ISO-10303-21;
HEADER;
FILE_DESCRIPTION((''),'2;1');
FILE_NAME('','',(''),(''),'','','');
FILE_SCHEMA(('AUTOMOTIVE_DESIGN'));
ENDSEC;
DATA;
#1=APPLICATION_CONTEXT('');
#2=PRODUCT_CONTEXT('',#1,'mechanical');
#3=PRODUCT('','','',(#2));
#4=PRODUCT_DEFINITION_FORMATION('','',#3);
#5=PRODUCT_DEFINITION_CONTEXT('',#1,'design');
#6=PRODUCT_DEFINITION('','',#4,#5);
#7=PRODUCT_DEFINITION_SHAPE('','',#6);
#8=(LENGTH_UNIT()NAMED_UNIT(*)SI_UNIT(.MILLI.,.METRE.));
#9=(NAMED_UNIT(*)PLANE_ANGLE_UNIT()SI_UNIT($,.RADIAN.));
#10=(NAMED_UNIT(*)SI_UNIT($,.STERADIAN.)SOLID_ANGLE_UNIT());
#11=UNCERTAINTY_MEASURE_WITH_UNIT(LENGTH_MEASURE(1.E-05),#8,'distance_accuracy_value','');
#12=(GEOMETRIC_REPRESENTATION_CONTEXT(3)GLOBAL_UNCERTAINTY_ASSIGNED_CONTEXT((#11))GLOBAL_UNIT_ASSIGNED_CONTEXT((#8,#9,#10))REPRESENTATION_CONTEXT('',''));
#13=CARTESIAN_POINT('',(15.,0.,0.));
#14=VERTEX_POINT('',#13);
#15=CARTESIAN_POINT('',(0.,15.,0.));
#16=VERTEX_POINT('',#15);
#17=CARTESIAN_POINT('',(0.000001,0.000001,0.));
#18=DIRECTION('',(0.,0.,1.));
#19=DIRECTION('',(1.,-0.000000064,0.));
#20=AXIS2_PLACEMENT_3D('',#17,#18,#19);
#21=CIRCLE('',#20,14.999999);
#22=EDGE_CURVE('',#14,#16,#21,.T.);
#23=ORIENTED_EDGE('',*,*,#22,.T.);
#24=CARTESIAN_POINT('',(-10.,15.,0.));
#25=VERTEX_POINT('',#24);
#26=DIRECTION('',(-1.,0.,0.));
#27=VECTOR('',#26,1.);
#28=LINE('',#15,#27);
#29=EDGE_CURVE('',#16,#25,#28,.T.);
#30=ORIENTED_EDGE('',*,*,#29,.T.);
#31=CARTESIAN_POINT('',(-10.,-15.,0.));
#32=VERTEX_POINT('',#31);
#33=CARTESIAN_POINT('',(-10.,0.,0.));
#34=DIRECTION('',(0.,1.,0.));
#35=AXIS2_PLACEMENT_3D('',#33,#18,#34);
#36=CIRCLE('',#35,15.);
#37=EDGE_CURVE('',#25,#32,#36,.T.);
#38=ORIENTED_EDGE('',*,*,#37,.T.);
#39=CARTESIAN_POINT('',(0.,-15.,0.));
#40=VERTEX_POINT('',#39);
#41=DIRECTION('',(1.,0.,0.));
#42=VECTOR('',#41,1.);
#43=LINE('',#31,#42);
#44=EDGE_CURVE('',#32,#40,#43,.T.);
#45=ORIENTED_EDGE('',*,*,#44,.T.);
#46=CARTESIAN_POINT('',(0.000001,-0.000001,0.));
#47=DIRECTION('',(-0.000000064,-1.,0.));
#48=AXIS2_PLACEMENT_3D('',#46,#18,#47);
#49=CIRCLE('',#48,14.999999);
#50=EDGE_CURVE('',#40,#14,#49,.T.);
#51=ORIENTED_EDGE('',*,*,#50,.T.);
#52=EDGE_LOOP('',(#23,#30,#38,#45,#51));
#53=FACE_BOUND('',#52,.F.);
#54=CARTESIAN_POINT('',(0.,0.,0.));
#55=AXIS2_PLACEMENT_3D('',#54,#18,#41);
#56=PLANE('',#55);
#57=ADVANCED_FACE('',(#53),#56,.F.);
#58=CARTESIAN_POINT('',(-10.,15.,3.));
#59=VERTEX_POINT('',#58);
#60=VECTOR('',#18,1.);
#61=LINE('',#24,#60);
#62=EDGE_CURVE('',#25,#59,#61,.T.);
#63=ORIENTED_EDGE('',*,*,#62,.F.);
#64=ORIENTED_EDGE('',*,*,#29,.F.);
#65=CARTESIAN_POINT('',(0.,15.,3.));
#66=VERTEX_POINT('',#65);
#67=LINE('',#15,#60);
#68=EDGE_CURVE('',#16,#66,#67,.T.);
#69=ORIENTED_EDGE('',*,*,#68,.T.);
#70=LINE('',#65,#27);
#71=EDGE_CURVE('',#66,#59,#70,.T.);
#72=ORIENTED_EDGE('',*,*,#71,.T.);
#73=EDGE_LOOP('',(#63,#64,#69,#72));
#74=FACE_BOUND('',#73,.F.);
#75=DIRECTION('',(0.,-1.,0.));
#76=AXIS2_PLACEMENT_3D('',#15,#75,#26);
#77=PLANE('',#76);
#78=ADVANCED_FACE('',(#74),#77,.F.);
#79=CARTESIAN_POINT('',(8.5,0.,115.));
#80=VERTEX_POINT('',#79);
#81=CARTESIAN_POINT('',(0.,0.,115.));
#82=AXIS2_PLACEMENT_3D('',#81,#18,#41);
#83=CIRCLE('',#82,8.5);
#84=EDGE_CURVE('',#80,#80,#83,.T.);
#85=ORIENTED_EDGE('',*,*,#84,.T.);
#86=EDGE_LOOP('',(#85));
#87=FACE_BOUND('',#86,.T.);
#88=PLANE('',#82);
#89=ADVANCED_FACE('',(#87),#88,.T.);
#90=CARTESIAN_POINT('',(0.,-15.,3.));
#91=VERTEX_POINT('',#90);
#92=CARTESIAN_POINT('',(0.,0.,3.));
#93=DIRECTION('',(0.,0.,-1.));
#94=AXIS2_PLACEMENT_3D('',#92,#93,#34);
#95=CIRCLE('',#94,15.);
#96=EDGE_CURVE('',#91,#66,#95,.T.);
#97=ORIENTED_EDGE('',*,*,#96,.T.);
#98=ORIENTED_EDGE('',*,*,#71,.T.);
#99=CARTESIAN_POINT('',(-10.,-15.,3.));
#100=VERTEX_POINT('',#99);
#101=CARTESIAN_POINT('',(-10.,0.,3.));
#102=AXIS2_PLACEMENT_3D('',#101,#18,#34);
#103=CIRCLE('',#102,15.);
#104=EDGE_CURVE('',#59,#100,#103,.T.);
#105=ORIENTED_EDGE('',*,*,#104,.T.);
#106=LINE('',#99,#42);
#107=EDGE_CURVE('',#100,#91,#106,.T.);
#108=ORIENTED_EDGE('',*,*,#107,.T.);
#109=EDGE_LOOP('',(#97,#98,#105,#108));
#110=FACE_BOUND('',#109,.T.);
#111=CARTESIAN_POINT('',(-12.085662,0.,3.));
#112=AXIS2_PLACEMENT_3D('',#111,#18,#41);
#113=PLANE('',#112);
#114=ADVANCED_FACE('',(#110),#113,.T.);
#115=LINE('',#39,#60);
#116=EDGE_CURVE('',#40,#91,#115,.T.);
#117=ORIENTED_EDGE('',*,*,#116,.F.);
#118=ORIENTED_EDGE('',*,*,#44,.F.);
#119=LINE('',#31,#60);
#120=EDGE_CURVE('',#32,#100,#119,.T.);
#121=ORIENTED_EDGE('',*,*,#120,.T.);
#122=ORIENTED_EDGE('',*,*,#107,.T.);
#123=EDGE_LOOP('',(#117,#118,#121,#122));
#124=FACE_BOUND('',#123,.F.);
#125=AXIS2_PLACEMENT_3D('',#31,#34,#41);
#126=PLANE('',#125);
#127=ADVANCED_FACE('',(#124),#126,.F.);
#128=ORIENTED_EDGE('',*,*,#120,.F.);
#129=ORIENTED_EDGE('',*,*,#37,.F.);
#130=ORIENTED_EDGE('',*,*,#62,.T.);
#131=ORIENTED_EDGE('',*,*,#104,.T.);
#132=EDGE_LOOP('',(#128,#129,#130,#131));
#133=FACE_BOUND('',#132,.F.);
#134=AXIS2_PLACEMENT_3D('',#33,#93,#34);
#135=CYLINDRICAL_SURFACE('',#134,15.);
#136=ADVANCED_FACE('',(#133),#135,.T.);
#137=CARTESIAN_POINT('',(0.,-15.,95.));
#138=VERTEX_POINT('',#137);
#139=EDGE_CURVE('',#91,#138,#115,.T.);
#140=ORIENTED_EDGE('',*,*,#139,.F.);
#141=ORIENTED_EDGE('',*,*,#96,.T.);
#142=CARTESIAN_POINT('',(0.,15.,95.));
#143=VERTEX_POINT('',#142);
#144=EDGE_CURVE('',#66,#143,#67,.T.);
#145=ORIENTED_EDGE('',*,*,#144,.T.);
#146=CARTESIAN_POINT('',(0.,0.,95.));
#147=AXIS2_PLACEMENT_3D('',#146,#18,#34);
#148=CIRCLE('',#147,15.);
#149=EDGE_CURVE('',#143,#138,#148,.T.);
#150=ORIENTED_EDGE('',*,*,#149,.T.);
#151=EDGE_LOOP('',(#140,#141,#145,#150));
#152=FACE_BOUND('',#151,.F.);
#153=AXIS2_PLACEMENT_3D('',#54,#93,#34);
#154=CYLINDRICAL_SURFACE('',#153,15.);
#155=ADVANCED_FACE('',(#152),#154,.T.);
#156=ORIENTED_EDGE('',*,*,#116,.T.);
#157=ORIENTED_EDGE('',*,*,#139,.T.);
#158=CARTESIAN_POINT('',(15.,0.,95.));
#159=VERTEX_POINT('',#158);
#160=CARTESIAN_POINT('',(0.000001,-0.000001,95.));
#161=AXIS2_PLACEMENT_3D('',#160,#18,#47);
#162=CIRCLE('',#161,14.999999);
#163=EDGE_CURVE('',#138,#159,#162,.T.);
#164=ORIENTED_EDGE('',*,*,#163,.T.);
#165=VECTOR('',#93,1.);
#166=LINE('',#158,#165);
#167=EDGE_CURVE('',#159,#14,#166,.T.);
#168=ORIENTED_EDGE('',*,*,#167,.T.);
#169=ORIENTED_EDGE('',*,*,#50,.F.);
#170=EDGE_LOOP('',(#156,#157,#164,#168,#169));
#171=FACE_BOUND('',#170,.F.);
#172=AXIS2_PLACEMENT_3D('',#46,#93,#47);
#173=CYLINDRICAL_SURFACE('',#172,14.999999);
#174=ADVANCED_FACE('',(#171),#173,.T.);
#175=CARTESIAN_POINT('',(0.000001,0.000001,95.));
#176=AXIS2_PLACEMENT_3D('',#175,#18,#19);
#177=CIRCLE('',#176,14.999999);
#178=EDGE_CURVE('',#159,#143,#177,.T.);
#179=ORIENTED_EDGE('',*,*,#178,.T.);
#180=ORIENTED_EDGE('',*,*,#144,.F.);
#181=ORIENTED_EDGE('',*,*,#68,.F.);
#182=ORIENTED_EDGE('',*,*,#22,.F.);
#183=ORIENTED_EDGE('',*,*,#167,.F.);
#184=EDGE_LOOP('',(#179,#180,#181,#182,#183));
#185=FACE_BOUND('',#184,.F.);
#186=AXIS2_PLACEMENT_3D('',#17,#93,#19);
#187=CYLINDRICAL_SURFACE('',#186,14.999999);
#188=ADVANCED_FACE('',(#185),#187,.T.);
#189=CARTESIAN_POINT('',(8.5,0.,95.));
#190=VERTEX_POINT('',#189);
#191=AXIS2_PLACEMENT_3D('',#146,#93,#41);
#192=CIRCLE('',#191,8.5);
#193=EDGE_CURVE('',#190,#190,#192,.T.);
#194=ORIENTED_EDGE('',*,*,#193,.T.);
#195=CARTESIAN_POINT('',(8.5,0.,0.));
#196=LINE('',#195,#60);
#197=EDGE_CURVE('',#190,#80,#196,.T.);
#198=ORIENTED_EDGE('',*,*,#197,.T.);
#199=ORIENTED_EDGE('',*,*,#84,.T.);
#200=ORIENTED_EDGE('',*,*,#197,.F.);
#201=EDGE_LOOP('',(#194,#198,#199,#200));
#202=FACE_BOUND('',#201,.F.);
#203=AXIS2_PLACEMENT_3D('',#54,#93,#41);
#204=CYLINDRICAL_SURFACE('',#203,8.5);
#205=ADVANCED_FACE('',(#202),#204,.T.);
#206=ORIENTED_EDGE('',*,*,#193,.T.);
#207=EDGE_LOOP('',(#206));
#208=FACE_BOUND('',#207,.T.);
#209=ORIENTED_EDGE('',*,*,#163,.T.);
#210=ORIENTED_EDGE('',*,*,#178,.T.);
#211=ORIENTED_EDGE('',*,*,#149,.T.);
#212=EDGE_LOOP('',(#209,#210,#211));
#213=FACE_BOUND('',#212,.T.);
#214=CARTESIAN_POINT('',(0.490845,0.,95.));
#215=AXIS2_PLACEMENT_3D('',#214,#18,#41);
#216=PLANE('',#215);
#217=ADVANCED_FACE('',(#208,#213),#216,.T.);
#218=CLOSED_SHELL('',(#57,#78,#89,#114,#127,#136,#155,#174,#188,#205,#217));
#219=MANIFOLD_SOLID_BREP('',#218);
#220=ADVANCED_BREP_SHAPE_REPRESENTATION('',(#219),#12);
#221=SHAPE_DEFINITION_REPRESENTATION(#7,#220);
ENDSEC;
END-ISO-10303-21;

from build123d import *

# Parameters (mm, degrees)
F1_DEPTH = 3
F2_DEPTH = 95
F3_DEPTH = 115


with BuildPart() as f1:
    # F0 (on Top) → F1 (new body)
    with BuildSketch(Plane.XY):
        with BuildLine():
            ThreePointArc((0, -15), (-15, 0), (0, 15))
            Line((0, 15), (-10, 15))
            ThreePointArc((-10, 15), (-25, 0), (-10, -15))
            Line((-10, -15), (0, -15))
        make_face()
        with BuildLine():
            ThreePointArc((0, -15), (10.606602, -10.606602), (15, 0))
            ThreePointArc((15, 0), (10.606602, 10.606602), (0, 15))
            ThreePointArc((0, 15), (-15, 0), (0, -15))
        make_face()
        with BuildLine():
            ThreePointArc((-8.5, 0), (0, 8.5), (8.5, 0))
            ThreePointArc((8.5, 0), (0, -8.5), (-8.5, 0))
        make_face(mode=Mode.SUBTRACT)
        with BuildLine():
            ThreePointArc((-8.5, 0), (0, -8.5), (8.5, 0))
            ThreePointArc((8.5, 0), (0, 8.5), (-8.5, 0))
        make_face()
    extrude(amount=F1_DEPTH)

    # F0 (on Top) → F2 (join)
    with BuildSketch(Plane.XY):
        with BuildLine():
            ThreePointArc((0, -15), (10.606602, -10.606602), (15, 0))
            ThreePointArc((15, 0), (10.606602, 10.606602), (0, 15))
            ThreePointArc((0, 15), (-15, 0), (0, -15))
        make_face()
        with BuildLine():
            ThreePointArc((-8.5, 0), (0, 8.5), (8.5, 0))
            ThreePointArc((8.5, 0), (0, -8.5), (-8.5, 0))
        make_face(mode=Mode.SUBTRACT)
        with BuildLine():
            ThreePointArc((-8.5, 0), (0, -8.5), (8.5, 0))
            ThreePointArc((8.5, 0), (0, 8.5), (-8.5, 0))
        make_face()
    extrude(amount=F2_DEPTH)

    # F0 (on Top) → F3 (join)
    with BuildSketch(Plane.XY):
        with BuildLine():
            ThreePointArc((-8.5, 0), (0, -8.5), (8.5, 0))
            ThreePointArc((8.5, 0), (0, 8.5), (-8.5, 0))
        make_face()
    extrude(amount=F3_DEPTH)


solid = f1.part
